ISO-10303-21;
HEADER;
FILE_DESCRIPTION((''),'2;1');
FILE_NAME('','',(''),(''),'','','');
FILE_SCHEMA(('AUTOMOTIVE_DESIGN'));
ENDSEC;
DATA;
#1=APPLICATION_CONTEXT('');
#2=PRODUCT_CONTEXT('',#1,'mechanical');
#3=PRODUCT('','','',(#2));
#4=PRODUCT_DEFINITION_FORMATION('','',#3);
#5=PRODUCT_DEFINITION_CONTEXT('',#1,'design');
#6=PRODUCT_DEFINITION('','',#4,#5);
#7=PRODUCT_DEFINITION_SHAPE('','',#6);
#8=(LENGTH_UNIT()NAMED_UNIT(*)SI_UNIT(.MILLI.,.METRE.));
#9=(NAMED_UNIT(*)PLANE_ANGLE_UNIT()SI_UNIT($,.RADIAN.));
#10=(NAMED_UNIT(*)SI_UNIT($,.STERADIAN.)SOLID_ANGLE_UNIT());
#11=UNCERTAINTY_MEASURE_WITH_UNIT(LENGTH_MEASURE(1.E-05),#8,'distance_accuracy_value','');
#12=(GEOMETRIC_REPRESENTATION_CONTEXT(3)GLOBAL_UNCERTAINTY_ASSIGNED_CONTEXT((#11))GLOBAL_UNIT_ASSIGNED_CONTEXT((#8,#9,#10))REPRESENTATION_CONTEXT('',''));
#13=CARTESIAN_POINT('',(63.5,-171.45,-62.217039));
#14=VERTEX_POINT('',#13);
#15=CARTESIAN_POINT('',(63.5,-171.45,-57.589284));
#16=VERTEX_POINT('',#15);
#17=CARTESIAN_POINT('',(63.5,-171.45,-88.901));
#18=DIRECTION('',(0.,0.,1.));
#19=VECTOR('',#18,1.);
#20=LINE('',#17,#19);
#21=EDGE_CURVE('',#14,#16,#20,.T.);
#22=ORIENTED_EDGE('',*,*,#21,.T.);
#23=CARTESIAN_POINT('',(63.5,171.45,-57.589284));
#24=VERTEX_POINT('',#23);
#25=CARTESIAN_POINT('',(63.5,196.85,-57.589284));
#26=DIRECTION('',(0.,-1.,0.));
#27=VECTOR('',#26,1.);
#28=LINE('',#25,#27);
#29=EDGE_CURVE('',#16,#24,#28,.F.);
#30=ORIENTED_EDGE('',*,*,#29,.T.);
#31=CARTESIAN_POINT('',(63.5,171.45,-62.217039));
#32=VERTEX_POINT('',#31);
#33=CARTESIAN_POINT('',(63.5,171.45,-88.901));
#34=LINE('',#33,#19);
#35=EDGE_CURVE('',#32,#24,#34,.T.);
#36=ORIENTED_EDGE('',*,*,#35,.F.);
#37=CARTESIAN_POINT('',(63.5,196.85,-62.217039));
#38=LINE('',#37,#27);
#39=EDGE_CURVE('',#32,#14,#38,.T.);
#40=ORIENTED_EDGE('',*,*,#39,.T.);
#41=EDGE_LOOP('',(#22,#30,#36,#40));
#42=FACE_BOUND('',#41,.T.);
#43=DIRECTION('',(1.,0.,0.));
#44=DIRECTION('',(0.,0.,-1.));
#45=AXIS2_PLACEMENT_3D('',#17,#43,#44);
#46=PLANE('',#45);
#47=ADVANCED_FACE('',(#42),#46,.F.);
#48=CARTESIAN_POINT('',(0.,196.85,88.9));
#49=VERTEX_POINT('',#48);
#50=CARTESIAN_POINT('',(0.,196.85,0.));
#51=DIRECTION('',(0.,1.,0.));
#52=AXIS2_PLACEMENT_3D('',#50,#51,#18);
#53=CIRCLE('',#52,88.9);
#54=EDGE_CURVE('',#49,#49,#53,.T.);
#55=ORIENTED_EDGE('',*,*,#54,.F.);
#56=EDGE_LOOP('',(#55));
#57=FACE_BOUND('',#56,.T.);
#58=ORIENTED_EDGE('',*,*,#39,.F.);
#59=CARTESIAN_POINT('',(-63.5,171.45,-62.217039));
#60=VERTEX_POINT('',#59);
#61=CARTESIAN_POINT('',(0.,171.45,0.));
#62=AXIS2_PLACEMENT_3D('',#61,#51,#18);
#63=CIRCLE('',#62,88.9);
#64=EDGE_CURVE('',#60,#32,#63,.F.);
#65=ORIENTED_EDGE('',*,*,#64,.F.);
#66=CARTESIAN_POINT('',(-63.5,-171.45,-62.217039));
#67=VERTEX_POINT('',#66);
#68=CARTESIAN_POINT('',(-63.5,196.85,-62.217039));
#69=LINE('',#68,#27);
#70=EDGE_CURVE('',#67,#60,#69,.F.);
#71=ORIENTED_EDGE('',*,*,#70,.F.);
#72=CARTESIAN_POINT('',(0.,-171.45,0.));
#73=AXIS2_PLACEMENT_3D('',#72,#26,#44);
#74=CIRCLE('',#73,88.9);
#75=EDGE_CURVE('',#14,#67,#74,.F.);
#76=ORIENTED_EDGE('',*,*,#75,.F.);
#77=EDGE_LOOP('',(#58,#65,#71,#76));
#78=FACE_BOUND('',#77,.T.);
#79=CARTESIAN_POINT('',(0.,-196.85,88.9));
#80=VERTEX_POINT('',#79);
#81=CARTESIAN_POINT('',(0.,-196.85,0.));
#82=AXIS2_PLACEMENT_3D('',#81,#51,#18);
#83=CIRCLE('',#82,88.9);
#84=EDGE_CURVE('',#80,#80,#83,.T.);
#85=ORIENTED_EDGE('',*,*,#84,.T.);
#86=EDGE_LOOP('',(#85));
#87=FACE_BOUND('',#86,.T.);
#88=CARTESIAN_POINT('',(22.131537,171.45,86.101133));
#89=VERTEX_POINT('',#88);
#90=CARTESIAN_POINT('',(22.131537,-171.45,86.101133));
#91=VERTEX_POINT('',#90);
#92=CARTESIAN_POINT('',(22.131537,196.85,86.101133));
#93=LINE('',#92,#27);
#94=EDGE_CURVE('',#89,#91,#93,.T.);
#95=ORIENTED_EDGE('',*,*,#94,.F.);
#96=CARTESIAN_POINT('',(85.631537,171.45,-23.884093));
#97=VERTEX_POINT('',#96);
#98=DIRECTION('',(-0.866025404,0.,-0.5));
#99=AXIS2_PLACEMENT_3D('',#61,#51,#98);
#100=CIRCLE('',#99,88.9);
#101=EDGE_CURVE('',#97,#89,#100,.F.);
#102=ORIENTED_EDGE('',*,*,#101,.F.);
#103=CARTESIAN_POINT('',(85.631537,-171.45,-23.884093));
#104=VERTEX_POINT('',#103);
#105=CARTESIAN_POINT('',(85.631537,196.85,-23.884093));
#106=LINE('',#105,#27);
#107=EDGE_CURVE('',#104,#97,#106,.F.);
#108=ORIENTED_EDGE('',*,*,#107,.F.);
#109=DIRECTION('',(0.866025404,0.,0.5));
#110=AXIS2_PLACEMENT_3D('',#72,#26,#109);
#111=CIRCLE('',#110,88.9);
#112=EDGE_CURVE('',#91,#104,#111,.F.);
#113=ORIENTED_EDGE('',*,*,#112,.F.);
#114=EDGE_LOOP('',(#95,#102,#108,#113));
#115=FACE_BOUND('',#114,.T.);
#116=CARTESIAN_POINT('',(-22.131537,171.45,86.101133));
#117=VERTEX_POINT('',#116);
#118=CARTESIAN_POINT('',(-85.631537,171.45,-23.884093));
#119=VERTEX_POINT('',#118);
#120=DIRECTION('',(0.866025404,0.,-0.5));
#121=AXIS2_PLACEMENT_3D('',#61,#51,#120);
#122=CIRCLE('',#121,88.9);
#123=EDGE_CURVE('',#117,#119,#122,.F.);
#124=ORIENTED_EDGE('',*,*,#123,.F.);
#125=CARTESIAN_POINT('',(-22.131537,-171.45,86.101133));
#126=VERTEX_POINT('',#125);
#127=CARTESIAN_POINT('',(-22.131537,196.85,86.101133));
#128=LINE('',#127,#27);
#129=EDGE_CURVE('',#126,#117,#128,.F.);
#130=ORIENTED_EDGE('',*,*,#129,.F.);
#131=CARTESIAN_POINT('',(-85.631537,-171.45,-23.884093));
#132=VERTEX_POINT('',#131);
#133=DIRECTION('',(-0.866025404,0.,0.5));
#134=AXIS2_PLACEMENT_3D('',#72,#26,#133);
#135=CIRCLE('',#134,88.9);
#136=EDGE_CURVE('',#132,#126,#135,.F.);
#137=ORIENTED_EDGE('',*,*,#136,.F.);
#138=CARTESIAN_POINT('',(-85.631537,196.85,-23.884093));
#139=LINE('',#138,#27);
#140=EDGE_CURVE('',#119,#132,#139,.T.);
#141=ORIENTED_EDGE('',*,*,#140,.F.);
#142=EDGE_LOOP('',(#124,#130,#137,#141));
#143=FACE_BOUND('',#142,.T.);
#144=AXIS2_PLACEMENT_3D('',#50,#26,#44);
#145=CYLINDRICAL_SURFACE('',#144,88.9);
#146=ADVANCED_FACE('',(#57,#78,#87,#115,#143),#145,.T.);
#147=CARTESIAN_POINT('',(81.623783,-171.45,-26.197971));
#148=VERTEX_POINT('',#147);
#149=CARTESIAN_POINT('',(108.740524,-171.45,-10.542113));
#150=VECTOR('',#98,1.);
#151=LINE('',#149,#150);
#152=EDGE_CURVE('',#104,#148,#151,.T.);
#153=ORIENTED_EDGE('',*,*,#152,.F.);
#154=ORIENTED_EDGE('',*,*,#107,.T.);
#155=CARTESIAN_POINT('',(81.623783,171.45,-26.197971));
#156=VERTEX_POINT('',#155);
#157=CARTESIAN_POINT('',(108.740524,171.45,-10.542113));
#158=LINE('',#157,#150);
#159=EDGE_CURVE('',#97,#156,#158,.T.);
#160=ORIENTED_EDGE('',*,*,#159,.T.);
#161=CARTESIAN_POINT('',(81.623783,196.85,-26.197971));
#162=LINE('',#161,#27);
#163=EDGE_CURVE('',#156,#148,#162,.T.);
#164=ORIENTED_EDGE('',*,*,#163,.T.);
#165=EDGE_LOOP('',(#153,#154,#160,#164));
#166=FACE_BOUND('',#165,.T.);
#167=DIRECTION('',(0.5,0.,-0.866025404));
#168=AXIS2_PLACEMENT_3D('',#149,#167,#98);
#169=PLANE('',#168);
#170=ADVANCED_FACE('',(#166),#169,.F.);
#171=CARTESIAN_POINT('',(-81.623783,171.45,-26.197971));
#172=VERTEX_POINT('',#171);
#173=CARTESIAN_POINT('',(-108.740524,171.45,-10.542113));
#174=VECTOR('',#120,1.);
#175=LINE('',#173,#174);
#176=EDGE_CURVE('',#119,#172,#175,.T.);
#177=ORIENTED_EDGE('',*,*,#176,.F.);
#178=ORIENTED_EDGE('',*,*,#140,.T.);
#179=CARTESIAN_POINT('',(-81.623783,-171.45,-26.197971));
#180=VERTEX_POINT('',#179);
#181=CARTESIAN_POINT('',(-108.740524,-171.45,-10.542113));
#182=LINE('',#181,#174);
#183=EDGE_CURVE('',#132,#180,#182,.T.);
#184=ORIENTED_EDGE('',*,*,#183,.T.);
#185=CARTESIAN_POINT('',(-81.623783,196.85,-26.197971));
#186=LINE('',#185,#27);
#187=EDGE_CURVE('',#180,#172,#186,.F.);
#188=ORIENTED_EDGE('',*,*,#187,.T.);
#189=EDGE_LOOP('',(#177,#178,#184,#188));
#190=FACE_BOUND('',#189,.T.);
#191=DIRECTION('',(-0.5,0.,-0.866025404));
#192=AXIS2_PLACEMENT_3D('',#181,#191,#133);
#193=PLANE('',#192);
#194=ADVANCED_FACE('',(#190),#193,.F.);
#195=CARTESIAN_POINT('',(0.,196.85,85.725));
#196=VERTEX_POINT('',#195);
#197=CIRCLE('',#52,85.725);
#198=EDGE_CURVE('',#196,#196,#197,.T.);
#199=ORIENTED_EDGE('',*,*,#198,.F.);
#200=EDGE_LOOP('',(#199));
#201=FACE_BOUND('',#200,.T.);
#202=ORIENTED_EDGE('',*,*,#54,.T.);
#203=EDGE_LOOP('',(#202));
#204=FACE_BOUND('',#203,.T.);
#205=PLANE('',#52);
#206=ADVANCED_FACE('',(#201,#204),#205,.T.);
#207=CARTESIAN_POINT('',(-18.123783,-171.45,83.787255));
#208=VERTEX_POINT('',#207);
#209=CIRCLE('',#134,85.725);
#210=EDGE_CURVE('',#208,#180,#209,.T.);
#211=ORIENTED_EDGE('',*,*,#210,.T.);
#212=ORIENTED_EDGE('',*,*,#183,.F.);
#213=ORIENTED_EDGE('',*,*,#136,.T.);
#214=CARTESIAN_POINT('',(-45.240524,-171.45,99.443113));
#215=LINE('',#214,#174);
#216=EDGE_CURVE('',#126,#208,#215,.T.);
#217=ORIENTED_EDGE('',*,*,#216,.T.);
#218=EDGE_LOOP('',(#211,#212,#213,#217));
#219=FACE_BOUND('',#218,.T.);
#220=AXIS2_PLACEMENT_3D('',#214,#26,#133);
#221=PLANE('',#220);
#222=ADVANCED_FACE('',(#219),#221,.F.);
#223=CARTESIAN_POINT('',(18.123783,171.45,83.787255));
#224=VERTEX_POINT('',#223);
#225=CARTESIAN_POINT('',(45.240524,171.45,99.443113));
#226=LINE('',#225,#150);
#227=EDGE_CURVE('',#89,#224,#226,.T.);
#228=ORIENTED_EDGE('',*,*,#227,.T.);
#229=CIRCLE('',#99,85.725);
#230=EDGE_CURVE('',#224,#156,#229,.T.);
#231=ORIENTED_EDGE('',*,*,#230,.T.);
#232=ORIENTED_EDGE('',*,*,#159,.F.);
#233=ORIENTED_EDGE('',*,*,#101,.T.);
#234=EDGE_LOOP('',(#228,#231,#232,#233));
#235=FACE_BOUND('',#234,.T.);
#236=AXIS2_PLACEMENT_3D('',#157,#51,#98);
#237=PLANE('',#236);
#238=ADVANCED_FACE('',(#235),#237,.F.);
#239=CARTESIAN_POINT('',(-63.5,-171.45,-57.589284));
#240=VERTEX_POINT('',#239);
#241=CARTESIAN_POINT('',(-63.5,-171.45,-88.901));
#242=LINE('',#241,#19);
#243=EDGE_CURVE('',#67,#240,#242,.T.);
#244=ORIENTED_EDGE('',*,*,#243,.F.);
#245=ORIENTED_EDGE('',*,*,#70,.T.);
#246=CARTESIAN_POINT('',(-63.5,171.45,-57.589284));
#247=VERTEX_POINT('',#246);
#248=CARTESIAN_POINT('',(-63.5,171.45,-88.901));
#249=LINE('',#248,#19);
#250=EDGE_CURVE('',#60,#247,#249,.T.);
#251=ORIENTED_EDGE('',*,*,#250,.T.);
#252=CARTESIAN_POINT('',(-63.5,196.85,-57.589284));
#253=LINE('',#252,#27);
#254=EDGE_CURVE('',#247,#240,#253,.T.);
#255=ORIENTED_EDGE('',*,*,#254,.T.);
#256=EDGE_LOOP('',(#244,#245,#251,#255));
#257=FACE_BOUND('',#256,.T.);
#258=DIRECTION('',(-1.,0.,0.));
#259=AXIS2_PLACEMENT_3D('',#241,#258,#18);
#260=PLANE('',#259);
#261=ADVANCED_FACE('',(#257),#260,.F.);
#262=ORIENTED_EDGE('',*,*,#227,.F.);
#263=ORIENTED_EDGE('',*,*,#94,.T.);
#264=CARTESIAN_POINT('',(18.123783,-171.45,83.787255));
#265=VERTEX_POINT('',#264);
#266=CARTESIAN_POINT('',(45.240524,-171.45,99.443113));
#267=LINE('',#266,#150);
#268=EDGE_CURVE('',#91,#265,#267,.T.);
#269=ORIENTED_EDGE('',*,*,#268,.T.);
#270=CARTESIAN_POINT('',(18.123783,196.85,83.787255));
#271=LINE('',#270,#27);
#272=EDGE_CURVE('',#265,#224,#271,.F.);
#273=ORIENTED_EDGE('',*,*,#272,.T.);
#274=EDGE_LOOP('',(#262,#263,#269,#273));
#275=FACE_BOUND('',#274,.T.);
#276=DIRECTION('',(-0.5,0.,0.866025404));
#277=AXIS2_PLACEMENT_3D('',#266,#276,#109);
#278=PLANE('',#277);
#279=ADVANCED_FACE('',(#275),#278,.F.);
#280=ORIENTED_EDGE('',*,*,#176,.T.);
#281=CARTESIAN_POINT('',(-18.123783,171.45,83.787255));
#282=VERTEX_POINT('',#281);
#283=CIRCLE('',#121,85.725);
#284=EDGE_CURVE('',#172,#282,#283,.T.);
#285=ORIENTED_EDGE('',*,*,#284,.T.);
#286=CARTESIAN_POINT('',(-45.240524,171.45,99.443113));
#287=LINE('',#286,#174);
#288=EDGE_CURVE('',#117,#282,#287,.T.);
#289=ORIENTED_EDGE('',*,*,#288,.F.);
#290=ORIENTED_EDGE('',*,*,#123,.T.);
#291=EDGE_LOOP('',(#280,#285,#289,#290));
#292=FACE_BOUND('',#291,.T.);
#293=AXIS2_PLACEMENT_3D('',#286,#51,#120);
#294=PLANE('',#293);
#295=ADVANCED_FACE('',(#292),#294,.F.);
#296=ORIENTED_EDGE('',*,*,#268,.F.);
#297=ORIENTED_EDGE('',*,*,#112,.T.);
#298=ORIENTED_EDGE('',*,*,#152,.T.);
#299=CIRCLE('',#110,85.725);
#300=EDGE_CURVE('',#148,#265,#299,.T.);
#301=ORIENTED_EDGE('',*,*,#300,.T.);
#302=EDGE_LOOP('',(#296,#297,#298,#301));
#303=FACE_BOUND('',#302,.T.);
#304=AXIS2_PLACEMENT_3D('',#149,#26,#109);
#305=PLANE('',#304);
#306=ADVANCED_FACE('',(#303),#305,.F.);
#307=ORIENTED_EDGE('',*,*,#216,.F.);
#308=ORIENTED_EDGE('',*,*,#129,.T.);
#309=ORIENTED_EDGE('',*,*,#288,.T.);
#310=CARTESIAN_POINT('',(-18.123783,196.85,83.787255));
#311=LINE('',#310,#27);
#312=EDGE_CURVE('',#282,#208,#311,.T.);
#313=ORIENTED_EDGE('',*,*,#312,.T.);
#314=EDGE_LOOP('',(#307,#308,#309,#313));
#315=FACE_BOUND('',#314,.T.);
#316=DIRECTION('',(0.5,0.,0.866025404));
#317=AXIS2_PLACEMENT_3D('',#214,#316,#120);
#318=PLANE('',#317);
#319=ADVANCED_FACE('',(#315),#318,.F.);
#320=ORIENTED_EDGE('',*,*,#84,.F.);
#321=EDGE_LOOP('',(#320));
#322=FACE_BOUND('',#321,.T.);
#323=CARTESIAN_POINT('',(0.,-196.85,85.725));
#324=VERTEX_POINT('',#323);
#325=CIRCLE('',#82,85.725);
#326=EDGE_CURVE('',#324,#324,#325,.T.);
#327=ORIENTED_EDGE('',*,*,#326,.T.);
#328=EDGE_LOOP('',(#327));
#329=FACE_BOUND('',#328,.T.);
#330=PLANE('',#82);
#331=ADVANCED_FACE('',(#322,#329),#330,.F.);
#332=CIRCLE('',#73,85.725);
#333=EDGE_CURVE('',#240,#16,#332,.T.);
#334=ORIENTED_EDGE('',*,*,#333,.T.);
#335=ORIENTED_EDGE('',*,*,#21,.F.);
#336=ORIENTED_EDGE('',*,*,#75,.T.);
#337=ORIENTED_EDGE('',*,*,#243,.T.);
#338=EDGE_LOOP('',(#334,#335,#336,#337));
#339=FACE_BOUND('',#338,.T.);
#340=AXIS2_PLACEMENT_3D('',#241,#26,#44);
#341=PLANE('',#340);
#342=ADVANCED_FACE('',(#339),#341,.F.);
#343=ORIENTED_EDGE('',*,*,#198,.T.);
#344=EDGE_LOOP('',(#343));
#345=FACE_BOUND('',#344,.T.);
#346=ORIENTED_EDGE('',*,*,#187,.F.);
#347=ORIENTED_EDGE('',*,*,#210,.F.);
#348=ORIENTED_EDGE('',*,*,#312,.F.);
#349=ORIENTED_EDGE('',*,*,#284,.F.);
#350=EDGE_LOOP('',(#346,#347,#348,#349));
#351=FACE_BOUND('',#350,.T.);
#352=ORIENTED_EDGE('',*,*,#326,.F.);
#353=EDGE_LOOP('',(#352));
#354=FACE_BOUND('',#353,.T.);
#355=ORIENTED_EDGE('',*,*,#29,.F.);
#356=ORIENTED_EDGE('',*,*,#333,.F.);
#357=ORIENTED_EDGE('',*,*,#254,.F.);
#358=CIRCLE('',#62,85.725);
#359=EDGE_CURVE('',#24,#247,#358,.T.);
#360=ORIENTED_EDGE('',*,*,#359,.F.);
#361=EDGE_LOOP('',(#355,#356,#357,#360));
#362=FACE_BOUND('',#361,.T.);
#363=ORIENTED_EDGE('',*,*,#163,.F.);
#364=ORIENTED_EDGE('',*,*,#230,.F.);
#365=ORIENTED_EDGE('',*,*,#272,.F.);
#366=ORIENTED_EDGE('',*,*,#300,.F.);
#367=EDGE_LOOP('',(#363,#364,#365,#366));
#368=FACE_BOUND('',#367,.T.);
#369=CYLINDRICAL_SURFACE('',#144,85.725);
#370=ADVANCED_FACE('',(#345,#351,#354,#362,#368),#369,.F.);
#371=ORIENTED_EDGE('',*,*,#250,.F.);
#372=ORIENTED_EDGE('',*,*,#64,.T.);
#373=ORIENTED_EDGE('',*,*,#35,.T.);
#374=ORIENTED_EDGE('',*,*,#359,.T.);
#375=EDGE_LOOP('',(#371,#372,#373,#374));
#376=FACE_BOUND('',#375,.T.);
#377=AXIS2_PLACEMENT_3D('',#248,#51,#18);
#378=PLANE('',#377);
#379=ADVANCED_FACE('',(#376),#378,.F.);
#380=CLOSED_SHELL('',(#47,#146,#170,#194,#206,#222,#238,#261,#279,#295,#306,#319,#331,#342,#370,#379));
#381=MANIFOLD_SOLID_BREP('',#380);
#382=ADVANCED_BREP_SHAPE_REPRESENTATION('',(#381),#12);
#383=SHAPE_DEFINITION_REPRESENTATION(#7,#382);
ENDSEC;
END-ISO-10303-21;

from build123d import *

# Parameters (mm, degrees)
SKETCH1_R           = 88.9
SKETCH1_R_2         = 85.725
BOSS_EXTRUDE1_DEPTH = 196.85
CUT_EXTRUDE1_START  = -88.9
SKETCH2_W           = 127
SKETCH2_H           = 342.9
CUT_EXTRUDE1_DEPTH  = 31.310716
CIRPATTERN1_COUNT   = 3


with BuildPart() as part:
    # Sketch1 → Boss-Extrude1 (new body, symmetric)
    with BuildSketch(Plane(origin=(0, 0, 0), x_dir=(1, 0, 0), z_dir=(0, 1, 0))):
        Circle(SKETCH1_R)
        Circle(SKETCH1_R_2, mode=Mode.SUBTRACT)
    extrude(amount=BOSS_EXTRUDE1_DEPTH, both=True)

    # Sketch2 → Cut-Extrude1 (cut)
    with BuildSketch(Plane.XY.offset(CUT_EXTRUDE1_START)):
        Rectangle(SKETCH2_W, SKETCH2_H)
    cut_extrude1 = extrude(amount=CUT_EXTRUDE1_DEPTH, mode=Mode.SUBTRACT)

    # CirPattern1: Cut-Extrude1 ×3 about axis
    cirpattern1_axis = Axis((0, 0, 0), (0, 1, 0))
    for i in range(1, CIRPATTERN1_COUNT):
        add(cut_extrude1.rotate(cirpattern1_axis, i * 360 / CIRPATTERN1_COUNT), mode=Mode.SUBTRACT)


solid = part.part
